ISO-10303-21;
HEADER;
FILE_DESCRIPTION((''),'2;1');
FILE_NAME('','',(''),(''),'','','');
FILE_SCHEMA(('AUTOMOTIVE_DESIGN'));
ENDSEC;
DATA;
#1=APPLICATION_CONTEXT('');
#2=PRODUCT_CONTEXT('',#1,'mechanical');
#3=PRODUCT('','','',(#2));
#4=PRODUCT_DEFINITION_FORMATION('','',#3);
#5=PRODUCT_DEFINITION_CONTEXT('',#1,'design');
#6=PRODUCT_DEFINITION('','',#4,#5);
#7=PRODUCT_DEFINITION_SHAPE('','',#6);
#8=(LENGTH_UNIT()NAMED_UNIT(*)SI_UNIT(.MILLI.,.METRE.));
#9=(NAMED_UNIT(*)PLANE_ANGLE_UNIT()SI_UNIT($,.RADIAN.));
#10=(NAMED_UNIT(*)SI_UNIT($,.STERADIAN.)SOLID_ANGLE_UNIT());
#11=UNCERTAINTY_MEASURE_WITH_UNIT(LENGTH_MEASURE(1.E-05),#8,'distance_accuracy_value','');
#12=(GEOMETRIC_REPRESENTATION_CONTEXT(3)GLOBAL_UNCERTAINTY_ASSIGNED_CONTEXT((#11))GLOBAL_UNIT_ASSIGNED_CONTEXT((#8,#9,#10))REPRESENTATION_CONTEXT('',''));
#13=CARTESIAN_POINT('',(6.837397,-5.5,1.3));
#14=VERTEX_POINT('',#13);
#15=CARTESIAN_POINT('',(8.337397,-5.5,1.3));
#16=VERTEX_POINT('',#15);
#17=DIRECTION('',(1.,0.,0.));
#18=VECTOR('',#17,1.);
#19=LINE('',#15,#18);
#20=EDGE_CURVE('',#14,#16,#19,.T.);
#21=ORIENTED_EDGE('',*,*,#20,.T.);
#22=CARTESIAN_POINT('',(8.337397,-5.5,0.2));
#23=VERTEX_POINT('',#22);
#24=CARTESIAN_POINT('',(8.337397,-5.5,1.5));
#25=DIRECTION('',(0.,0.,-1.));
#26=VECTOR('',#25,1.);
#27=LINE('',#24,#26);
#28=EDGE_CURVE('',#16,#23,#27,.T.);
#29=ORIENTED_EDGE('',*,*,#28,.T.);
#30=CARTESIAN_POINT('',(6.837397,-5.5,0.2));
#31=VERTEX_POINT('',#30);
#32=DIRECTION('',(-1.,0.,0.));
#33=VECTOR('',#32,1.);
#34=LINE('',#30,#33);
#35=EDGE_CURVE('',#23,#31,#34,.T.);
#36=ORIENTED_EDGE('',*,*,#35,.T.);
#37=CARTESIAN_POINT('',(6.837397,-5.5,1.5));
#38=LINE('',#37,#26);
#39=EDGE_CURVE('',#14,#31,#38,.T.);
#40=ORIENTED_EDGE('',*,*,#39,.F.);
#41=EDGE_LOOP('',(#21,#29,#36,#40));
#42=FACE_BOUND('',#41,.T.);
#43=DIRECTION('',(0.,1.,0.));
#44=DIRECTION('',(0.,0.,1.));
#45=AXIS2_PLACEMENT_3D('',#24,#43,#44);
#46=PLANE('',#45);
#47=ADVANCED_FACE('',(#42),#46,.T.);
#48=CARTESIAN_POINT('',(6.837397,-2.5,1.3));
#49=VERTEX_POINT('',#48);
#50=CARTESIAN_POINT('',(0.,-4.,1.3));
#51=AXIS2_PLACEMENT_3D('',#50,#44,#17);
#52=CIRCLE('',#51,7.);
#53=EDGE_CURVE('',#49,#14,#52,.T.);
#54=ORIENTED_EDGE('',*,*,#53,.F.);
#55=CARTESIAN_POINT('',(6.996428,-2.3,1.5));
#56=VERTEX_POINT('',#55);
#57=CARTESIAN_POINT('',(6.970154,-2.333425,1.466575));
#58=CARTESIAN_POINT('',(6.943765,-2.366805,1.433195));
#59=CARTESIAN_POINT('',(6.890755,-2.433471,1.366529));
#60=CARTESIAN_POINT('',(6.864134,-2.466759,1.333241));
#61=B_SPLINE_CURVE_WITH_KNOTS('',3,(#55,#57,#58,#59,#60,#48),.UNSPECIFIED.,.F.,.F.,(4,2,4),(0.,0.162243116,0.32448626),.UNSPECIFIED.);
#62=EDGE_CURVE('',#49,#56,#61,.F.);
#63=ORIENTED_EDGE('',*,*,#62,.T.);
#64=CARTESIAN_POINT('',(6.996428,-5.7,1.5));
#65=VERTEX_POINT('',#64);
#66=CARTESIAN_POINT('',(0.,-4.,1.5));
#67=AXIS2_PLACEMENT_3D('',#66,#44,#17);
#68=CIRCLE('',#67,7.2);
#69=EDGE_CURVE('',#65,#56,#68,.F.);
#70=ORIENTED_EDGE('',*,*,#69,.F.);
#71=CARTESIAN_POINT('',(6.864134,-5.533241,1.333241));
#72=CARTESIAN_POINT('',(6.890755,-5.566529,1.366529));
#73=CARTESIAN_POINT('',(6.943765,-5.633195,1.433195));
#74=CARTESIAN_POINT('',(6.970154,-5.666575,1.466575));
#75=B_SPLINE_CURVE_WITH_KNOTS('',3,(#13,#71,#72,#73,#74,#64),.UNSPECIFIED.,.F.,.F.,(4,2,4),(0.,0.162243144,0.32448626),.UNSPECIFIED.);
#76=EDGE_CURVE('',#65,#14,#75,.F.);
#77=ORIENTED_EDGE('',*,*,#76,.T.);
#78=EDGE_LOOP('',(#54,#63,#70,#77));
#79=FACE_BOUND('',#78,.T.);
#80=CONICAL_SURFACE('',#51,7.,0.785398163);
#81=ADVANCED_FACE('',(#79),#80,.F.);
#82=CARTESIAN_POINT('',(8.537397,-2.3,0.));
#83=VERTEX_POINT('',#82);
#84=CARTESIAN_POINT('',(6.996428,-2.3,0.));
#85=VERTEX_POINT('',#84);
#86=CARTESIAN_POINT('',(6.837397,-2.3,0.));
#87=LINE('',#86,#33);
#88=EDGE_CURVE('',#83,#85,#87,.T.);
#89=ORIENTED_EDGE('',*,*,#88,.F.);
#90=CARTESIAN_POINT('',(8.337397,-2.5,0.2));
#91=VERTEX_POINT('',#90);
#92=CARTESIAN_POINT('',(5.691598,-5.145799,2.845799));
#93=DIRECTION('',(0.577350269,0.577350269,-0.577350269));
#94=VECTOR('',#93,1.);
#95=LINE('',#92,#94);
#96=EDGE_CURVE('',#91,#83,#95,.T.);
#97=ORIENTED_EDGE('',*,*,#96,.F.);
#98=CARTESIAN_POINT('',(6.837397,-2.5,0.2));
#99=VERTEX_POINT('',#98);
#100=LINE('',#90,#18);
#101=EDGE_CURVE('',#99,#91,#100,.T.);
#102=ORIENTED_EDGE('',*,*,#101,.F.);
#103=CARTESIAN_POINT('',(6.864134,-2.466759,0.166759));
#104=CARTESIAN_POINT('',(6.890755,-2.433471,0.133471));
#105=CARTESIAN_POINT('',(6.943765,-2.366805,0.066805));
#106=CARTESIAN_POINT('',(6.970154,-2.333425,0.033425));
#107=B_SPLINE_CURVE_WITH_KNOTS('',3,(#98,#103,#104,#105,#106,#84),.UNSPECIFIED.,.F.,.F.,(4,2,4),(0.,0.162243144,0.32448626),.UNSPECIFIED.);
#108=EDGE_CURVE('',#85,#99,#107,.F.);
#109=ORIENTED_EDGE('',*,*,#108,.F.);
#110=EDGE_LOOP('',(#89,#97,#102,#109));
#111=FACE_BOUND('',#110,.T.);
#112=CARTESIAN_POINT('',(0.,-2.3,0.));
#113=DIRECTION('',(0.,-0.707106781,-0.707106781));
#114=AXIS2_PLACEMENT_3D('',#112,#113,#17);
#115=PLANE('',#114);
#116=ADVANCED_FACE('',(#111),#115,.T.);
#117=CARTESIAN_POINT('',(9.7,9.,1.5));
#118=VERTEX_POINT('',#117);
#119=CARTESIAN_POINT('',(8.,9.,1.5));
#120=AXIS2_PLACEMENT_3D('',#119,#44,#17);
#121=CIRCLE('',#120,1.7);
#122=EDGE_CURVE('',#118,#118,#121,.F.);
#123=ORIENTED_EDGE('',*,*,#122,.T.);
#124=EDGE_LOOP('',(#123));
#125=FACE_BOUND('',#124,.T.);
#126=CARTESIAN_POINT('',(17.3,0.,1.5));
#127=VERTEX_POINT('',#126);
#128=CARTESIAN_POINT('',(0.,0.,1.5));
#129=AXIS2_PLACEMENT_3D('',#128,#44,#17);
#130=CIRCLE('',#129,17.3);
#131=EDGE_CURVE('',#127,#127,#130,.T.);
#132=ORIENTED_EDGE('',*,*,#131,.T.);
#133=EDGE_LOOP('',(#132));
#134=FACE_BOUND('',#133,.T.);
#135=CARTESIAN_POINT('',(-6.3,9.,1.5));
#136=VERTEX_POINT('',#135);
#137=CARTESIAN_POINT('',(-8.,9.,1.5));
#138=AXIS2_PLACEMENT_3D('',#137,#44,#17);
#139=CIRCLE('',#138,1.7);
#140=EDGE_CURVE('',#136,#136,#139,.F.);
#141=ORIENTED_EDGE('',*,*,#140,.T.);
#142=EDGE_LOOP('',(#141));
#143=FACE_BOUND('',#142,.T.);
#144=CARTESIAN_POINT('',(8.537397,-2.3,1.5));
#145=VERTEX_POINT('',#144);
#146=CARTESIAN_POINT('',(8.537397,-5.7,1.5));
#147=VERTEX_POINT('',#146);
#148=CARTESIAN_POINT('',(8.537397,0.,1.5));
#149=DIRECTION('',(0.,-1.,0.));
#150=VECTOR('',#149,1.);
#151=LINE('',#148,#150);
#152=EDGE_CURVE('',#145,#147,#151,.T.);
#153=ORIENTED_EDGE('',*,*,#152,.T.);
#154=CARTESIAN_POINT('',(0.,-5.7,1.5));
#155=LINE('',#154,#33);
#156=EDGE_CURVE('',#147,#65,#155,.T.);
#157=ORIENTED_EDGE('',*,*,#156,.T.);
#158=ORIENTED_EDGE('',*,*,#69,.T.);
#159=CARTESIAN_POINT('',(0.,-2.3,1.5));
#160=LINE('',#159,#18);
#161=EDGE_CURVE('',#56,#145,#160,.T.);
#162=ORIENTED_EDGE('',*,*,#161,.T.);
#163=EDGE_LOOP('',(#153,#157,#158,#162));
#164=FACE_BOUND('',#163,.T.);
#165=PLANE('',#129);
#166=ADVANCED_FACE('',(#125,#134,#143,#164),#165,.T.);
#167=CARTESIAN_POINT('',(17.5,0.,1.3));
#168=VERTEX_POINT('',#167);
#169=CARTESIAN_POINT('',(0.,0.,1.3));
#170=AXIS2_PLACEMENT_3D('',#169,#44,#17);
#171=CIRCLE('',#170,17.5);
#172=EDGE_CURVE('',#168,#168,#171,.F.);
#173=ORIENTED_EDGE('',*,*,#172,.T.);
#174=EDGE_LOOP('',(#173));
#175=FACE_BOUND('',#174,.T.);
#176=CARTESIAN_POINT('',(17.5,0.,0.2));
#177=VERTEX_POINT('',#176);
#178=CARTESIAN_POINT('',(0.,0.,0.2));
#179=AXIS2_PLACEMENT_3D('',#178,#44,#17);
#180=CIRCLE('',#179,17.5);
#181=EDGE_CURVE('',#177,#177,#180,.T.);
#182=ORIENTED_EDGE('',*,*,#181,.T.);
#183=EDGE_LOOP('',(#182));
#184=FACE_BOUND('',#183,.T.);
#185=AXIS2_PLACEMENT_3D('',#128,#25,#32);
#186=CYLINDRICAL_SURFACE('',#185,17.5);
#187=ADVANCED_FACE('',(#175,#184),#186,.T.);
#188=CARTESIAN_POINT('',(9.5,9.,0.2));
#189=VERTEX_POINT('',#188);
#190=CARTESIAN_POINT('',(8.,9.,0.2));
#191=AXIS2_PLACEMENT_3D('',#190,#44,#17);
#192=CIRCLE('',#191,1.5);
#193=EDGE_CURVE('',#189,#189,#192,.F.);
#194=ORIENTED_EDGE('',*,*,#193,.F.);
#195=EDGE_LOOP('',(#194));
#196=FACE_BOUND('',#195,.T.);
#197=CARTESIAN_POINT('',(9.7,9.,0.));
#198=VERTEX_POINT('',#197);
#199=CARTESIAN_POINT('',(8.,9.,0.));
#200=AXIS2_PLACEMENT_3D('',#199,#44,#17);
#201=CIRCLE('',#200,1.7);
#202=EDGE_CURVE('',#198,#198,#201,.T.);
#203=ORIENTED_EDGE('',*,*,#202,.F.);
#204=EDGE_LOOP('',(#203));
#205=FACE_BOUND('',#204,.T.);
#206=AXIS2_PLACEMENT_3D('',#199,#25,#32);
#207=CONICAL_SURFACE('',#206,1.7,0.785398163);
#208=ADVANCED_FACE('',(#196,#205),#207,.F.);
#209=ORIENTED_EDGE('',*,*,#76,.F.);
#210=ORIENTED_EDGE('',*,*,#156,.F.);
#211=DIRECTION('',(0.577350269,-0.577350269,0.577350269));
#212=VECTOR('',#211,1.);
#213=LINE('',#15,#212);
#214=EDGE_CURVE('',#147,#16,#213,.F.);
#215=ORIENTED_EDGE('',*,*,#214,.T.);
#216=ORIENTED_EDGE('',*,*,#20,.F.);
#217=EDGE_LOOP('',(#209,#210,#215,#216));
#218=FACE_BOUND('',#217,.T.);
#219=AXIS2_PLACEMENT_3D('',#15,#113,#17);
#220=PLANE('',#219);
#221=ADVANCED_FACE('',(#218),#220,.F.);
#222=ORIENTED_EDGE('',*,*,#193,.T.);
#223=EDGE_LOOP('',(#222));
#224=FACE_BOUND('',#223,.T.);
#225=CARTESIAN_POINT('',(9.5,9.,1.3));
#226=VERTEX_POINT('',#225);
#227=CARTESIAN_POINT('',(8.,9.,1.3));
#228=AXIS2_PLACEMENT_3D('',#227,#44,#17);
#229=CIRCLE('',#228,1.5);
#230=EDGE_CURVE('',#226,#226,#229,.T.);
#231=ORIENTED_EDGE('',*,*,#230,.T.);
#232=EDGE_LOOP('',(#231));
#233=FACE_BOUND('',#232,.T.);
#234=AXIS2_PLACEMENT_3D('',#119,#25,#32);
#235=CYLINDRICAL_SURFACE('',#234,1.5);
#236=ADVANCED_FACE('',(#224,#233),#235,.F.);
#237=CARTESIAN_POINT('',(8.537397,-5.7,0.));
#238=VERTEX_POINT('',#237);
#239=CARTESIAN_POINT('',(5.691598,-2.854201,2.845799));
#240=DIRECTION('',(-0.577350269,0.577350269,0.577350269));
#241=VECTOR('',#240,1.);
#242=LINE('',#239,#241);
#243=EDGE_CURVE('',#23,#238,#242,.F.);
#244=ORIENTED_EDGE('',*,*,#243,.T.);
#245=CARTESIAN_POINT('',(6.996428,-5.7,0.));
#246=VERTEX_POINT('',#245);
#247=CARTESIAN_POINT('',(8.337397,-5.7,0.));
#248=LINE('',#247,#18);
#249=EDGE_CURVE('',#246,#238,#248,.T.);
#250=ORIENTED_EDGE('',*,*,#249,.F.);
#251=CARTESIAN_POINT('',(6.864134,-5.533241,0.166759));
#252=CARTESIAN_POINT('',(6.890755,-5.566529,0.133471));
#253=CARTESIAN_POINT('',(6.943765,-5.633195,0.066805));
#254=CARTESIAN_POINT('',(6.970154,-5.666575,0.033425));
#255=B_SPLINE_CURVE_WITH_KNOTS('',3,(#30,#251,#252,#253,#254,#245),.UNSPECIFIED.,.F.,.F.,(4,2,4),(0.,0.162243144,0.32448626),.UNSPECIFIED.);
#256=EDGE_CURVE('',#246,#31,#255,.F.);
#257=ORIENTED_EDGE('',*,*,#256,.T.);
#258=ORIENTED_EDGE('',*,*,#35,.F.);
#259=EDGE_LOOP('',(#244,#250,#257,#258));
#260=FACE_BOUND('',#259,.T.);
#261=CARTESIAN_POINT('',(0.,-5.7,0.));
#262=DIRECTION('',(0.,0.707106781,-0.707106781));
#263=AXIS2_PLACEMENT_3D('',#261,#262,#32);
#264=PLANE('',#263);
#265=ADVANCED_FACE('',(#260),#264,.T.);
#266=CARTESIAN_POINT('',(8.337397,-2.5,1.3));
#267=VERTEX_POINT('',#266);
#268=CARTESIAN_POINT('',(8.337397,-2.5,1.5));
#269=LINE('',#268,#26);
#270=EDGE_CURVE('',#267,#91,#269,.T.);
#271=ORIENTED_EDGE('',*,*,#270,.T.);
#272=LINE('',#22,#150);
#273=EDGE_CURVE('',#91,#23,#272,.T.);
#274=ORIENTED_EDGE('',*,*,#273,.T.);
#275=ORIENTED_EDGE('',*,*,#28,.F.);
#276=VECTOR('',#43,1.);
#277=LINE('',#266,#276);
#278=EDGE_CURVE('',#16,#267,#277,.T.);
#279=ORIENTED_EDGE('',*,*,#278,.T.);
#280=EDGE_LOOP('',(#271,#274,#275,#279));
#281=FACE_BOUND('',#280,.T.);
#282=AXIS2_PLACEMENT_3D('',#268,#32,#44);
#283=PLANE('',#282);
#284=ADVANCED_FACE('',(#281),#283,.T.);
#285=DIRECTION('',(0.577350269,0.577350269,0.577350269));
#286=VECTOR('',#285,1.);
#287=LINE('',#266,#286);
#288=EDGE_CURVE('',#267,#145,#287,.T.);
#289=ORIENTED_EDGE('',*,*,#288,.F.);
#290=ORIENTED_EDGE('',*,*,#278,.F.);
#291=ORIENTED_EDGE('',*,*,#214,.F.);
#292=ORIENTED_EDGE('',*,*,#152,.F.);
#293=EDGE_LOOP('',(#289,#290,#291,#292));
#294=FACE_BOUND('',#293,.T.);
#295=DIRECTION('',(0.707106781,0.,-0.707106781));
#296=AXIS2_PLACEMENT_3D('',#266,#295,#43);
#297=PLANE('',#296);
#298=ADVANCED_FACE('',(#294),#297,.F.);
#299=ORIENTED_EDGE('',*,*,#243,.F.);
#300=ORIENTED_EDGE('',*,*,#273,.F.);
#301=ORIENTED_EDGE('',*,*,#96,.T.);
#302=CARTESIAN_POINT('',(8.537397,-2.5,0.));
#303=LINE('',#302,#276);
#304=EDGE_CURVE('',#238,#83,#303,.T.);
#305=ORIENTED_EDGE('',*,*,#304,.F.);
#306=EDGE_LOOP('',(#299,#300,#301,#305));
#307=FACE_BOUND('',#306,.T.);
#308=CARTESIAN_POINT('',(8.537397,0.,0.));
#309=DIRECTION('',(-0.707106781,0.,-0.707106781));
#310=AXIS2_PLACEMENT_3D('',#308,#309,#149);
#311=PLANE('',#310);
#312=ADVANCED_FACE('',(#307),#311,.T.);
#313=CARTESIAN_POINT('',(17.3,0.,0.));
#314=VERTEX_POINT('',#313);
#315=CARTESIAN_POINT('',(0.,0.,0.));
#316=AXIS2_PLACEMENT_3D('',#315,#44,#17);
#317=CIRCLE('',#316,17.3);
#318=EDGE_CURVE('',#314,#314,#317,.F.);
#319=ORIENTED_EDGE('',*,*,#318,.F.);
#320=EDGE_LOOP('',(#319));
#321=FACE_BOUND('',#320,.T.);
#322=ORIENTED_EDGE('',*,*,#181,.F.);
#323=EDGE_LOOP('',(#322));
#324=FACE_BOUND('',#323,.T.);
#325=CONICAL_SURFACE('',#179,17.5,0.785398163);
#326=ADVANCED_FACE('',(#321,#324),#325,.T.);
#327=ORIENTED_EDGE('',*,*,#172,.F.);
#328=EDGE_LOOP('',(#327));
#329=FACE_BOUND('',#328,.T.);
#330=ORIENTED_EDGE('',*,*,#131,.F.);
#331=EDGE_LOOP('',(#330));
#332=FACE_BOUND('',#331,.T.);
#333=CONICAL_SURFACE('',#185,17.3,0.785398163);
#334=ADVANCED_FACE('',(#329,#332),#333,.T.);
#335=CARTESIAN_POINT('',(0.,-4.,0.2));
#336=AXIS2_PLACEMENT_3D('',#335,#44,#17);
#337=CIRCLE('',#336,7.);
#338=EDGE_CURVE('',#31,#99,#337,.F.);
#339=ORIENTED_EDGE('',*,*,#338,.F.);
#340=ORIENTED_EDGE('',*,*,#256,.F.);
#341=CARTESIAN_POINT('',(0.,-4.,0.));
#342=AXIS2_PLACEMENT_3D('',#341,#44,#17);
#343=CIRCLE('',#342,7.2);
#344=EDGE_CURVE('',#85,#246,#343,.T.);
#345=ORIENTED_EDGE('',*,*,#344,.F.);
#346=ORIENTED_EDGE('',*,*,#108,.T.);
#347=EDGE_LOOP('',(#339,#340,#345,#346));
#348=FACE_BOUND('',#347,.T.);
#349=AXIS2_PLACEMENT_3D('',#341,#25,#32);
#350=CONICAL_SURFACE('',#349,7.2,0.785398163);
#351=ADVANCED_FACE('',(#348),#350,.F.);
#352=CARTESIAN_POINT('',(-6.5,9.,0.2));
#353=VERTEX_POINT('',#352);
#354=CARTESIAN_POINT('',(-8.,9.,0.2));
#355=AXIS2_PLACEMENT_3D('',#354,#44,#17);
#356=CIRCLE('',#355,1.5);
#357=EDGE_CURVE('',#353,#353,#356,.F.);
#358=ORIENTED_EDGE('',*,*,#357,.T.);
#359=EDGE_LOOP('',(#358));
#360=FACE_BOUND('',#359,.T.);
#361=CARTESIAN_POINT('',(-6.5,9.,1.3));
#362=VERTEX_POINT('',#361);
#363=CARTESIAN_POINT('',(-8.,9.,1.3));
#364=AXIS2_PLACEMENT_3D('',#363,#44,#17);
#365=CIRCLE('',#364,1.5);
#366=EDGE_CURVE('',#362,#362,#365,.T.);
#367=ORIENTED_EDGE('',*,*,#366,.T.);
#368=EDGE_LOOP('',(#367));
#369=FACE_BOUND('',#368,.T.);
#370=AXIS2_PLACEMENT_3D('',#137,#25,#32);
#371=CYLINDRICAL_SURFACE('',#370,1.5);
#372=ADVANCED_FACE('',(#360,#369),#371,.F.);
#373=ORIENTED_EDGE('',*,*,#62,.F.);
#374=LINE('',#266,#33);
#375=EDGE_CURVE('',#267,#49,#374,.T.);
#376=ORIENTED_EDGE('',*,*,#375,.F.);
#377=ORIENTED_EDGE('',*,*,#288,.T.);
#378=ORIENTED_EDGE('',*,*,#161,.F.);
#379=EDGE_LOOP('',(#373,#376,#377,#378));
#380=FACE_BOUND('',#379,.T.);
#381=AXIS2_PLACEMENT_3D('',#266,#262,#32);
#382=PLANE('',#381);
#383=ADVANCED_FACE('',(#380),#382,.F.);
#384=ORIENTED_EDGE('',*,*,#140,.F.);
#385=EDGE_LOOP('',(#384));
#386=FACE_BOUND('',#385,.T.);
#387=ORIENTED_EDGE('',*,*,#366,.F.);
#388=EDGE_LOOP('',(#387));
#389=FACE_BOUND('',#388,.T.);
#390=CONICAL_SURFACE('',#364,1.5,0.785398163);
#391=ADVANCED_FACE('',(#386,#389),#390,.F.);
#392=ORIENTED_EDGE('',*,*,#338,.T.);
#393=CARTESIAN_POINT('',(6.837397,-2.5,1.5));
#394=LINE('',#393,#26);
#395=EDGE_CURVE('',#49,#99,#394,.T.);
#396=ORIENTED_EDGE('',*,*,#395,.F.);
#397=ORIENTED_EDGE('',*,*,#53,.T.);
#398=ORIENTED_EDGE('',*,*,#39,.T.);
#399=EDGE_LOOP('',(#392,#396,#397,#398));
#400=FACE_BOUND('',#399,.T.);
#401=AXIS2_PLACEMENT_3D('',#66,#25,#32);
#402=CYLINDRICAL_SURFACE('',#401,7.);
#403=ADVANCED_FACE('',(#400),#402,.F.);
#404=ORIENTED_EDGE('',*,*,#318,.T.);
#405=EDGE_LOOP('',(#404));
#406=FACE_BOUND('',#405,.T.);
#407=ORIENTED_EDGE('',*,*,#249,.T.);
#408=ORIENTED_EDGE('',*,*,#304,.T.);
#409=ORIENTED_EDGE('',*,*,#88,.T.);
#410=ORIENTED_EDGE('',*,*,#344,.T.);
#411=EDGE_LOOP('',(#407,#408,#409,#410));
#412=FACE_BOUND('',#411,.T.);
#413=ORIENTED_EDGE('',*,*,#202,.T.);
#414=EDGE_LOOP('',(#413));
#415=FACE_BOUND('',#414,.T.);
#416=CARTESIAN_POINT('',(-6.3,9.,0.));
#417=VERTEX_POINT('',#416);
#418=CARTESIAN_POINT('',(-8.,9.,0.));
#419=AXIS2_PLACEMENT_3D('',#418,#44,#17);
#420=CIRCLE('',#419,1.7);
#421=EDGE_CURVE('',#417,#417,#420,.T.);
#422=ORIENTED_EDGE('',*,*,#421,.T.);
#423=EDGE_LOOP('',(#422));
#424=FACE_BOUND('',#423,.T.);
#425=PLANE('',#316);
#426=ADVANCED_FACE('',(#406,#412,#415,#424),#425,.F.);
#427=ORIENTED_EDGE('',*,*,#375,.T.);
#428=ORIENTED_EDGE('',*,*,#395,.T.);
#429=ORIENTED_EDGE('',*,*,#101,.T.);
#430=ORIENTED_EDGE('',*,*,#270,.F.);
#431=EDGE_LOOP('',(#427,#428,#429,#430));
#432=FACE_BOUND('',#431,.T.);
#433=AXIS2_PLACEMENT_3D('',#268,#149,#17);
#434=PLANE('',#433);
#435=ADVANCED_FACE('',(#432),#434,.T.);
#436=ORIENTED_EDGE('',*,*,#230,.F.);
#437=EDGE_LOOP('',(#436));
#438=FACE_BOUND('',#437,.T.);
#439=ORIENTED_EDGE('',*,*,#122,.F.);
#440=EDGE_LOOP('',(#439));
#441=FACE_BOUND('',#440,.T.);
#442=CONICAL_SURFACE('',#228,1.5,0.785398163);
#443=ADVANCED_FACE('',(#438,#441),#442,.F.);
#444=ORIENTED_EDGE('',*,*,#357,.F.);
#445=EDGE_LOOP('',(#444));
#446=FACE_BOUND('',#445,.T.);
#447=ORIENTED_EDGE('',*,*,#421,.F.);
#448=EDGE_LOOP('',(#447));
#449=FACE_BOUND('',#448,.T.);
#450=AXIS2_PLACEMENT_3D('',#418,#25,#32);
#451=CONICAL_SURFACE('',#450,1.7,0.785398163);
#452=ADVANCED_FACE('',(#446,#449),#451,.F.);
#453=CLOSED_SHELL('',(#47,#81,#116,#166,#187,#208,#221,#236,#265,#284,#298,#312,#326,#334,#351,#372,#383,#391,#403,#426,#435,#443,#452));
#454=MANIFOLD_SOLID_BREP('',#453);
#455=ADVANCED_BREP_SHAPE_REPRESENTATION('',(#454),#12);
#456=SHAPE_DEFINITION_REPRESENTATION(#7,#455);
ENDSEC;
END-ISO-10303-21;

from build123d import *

# Parameters (mm, degrees)
SKETCH1_R           = 17.5
SKETCH1_R_2         = 1.5
BOSS_EXTRUDE1_DEPTH = 1.5
CHAMFER1_SIZE       = 0.2


with BuildPart() as part:
    # Sketch1 → Boss-Extrude1 (new body)
    with BuildSketch(Plane.XY):
        Circle(SKETCH1_R)
        with Locations((-8, 9)):
            Circle(SKETCH1_R_2, mode=Mode.SUBTRACT)
        with Locations((8, 9)):
            Circle(SKETCH1_R_2, mode=Mode.SUBTRACT)
        with BuildLine():
            Line((8.337397166, -2.5), (6.837397166, -2.5))
            ThreePointArc((6.837397166, -2.5), (-7, -4), (6.837397166, -5.5))
            Line((6.837397166, -5.5), (8.337397166, -5.5))
            Line((8.337397166, -5.5), (8.337397166, -2.5))
        make_face(mode=Mode.SUBTRACT)
    extrude(amount=BOSS_EXTRUDE1_DEPTH)

    # Chamfer1
    chamfer1_edges = [part.edges().sort_by_distance(p)[0] for p in [
        (-7, -4, 1.5),
        (7.587397166, -5.5, 1.5),
        (6.5, 9, 0),
        (6.5, 9, 1.5),
        (-17.5, 0, 0),
        (-9.5, 9, 0),
        (-9.5, 9, 1.5),
        (-17.5, 0, 1.5),
        (8.337397166, -4, 0),
        (7.587397166, -2.5, 0),
        (-7, -4, 0),
        (7.587397166, -5.5, 0),
        (8.337397166, -4, 1.5),
        (7.587397166, -2.5, 1.5),
    ]]
    chamfer(chamfer1_edges, length=CHAMFER1_SIZE)


solid = part.part
